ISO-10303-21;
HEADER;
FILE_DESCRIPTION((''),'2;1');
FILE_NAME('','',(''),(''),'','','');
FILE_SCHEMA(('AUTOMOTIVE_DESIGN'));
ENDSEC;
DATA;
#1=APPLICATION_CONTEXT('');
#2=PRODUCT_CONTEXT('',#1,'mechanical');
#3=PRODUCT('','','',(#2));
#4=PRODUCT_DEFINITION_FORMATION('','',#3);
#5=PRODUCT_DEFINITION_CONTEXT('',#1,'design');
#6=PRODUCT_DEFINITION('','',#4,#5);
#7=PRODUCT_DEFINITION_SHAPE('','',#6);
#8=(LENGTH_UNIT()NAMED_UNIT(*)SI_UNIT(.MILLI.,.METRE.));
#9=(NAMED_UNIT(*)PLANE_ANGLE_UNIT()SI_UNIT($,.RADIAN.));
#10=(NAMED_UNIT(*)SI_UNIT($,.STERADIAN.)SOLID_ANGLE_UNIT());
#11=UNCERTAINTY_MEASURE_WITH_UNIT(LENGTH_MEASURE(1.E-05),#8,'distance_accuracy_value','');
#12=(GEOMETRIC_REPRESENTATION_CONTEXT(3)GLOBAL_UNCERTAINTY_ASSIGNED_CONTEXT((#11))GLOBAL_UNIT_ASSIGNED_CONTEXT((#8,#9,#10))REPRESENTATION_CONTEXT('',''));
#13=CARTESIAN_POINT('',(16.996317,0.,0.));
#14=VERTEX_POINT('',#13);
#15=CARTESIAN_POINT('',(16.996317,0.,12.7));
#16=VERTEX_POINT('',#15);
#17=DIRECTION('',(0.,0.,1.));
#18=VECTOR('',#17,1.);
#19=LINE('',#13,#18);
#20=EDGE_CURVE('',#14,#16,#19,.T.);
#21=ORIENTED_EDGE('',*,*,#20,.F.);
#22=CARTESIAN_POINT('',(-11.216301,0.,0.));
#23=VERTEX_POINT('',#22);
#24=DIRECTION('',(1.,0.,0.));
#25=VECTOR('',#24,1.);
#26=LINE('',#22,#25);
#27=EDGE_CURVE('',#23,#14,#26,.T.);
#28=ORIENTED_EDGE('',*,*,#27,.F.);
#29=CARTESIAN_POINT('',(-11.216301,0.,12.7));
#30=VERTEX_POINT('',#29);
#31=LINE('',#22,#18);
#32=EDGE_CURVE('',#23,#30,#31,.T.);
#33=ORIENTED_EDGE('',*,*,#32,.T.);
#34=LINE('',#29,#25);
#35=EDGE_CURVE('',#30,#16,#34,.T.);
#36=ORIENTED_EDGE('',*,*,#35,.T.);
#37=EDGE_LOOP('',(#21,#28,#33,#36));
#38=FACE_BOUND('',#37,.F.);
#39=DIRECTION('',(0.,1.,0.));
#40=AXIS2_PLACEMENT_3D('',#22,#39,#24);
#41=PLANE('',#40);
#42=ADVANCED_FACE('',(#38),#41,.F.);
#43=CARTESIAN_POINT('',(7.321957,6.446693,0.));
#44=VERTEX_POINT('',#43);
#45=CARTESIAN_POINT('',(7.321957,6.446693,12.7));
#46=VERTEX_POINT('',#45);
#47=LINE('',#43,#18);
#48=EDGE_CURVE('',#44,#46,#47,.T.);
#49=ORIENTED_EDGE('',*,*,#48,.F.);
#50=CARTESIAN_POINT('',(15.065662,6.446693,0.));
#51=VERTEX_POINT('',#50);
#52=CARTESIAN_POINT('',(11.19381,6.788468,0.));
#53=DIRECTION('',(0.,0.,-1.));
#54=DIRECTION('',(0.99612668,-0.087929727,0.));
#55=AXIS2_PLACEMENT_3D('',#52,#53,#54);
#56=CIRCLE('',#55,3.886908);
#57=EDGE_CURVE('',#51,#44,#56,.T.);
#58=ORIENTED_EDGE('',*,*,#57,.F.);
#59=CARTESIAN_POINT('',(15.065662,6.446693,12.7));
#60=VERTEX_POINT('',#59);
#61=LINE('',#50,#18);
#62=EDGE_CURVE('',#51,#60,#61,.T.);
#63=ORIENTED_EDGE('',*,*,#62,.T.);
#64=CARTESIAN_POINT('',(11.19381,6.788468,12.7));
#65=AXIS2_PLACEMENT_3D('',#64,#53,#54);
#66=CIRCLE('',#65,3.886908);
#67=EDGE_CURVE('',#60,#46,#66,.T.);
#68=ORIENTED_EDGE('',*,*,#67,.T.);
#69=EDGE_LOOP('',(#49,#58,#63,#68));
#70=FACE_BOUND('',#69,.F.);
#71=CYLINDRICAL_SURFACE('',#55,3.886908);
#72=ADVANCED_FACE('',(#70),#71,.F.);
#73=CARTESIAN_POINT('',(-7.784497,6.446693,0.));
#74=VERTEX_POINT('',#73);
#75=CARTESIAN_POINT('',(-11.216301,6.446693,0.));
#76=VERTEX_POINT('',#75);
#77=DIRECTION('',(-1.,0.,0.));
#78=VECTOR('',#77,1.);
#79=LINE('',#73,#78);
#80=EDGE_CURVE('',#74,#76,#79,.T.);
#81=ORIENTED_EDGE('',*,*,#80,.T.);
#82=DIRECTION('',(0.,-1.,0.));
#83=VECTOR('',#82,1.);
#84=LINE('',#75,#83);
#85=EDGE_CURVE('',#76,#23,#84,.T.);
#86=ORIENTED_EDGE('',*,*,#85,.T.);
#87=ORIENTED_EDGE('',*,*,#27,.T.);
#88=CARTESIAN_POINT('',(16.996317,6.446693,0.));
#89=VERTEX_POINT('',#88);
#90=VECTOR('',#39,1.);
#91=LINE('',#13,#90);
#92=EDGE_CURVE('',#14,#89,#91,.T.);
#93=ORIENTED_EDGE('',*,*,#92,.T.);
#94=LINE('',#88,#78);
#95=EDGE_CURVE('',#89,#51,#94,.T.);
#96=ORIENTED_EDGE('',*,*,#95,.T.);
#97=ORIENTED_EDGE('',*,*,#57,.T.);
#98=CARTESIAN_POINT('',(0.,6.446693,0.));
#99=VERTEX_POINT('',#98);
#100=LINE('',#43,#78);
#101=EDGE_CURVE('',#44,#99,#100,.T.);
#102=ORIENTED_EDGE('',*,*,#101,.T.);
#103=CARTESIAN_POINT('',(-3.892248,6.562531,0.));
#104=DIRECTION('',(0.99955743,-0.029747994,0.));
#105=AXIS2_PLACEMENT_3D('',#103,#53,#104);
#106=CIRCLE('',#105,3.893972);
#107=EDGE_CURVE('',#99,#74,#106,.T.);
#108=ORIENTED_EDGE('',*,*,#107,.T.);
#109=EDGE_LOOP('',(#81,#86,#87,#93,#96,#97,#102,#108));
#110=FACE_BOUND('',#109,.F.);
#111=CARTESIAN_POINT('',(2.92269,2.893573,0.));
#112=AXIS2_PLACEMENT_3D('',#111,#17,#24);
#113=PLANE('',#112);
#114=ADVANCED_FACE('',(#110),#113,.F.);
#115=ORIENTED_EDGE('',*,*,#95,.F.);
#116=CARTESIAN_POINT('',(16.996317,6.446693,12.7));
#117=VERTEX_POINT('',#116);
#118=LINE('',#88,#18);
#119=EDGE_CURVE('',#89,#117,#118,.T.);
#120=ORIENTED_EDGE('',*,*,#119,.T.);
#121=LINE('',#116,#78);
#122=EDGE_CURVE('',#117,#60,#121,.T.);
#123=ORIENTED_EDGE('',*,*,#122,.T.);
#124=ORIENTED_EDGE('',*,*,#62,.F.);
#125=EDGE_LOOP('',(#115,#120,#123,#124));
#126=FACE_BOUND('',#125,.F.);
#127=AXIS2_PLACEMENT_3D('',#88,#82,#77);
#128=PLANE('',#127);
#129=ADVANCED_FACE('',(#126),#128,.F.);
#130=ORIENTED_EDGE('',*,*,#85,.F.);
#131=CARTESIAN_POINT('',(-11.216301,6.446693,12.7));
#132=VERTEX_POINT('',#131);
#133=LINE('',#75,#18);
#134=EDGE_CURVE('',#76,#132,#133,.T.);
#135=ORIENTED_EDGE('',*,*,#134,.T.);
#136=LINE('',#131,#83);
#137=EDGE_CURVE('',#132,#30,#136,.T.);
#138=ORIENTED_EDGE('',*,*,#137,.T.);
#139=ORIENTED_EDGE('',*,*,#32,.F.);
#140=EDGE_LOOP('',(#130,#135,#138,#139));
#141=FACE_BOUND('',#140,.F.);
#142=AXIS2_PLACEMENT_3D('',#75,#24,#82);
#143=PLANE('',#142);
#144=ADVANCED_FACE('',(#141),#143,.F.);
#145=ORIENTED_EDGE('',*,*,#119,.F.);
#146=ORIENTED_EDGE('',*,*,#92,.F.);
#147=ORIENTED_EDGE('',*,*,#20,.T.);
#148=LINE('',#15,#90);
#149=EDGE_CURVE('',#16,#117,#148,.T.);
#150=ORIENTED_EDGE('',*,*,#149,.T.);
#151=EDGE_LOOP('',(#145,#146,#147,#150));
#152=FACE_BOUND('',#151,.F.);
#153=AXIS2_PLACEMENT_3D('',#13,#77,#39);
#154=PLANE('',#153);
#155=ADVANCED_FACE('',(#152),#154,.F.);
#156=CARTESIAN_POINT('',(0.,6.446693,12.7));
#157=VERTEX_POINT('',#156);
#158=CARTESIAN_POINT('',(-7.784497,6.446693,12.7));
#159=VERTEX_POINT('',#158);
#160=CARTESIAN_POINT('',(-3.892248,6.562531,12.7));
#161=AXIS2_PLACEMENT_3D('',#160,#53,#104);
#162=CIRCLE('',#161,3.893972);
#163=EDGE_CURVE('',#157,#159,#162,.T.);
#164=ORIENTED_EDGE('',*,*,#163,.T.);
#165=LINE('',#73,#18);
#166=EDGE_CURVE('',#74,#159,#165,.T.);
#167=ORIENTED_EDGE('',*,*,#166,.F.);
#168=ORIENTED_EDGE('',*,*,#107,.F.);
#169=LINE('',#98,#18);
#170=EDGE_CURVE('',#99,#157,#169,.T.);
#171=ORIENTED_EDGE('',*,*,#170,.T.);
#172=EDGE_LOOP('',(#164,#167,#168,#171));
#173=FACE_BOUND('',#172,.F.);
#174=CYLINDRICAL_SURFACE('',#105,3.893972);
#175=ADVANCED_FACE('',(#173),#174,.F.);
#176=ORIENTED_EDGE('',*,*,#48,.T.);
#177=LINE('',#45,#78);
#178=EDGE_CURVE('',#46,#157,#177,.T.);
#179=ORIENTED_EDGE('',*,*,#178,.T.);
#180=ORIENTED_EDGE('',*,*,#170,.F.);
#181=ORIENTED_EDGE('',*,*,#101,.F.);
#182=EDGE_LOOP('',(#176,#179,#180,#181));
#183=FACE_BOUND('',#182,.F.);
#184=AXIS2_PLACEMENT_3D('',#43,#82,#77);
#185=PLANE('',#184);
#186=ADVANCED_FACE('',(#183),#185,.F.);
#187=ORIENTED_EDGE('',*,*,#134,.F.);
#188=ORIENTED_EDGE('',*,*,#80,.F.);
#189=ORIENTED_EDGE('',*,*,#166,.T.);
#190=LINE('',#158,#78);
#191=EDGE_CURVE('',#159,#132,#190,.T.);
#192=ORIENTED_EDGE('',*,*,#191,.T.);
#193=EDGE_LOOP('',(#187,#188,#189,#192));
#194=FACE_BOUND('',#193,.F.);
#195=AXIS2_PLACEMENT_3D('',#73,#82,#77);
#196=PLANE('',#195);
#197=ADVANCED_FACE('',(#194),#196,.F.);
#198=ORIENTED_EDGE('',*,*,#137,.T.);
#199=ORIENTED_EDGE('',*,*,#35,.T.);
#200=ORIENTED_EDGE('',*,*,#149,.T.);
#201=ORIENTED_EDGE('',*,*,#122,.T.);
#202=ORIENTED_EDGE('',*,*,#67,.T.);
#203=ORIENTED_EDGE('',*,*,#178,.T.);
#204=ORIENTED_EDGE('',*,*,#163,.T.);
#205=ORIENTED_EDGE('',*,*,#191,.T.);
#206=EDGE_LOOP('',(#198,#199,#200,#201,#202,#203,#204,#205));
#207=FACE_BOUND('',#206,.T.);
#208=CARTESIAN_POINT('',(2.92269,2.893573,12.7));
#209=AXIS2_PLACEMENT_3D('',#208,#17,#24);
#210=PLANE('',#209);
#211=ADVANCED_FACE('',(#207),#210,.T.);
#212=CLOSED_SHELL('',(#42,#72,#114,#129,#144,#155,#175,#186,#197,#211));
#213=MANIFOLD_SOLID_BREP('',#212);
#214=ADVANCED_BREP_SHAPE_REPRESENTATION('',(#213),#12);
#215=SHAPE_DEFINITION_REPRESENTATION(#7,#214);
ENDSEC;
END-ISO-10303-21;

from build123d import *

# Parameters (mm, degrees)
F1_DEPTH = 12.7


with BuildPart() as f1:
    # F0 (on Top) → F1 (new body)
    with BuildSketch(Plane.XY):
        with BuildLine():
            Line((-11.216301, 6.446693), (-11.216301, 0))
            Line((-11.216301, 0), (16.996317, 0))
            Line((16.996317, 0), (16.996317, 6.446693))
            Line((16.996317, 6.446693), (15.065662, 6.446693))
            ThreePointArc((15.065662, 6.446693), (11.193809, 2.90156), (7.321957, 6.446693))
            Line((7.321957, 6.446693), (0, 6.446693))
            ThreePointArc((0, 6.446693), (-3.892248, 2.668559), (-7.784497, 6.446693))
            Line((-7.784497, 6.446693), (-11.216301, 6.446693))
        make_face()
    extrude(amount=F1_DEPTH)


solid = f1.part
